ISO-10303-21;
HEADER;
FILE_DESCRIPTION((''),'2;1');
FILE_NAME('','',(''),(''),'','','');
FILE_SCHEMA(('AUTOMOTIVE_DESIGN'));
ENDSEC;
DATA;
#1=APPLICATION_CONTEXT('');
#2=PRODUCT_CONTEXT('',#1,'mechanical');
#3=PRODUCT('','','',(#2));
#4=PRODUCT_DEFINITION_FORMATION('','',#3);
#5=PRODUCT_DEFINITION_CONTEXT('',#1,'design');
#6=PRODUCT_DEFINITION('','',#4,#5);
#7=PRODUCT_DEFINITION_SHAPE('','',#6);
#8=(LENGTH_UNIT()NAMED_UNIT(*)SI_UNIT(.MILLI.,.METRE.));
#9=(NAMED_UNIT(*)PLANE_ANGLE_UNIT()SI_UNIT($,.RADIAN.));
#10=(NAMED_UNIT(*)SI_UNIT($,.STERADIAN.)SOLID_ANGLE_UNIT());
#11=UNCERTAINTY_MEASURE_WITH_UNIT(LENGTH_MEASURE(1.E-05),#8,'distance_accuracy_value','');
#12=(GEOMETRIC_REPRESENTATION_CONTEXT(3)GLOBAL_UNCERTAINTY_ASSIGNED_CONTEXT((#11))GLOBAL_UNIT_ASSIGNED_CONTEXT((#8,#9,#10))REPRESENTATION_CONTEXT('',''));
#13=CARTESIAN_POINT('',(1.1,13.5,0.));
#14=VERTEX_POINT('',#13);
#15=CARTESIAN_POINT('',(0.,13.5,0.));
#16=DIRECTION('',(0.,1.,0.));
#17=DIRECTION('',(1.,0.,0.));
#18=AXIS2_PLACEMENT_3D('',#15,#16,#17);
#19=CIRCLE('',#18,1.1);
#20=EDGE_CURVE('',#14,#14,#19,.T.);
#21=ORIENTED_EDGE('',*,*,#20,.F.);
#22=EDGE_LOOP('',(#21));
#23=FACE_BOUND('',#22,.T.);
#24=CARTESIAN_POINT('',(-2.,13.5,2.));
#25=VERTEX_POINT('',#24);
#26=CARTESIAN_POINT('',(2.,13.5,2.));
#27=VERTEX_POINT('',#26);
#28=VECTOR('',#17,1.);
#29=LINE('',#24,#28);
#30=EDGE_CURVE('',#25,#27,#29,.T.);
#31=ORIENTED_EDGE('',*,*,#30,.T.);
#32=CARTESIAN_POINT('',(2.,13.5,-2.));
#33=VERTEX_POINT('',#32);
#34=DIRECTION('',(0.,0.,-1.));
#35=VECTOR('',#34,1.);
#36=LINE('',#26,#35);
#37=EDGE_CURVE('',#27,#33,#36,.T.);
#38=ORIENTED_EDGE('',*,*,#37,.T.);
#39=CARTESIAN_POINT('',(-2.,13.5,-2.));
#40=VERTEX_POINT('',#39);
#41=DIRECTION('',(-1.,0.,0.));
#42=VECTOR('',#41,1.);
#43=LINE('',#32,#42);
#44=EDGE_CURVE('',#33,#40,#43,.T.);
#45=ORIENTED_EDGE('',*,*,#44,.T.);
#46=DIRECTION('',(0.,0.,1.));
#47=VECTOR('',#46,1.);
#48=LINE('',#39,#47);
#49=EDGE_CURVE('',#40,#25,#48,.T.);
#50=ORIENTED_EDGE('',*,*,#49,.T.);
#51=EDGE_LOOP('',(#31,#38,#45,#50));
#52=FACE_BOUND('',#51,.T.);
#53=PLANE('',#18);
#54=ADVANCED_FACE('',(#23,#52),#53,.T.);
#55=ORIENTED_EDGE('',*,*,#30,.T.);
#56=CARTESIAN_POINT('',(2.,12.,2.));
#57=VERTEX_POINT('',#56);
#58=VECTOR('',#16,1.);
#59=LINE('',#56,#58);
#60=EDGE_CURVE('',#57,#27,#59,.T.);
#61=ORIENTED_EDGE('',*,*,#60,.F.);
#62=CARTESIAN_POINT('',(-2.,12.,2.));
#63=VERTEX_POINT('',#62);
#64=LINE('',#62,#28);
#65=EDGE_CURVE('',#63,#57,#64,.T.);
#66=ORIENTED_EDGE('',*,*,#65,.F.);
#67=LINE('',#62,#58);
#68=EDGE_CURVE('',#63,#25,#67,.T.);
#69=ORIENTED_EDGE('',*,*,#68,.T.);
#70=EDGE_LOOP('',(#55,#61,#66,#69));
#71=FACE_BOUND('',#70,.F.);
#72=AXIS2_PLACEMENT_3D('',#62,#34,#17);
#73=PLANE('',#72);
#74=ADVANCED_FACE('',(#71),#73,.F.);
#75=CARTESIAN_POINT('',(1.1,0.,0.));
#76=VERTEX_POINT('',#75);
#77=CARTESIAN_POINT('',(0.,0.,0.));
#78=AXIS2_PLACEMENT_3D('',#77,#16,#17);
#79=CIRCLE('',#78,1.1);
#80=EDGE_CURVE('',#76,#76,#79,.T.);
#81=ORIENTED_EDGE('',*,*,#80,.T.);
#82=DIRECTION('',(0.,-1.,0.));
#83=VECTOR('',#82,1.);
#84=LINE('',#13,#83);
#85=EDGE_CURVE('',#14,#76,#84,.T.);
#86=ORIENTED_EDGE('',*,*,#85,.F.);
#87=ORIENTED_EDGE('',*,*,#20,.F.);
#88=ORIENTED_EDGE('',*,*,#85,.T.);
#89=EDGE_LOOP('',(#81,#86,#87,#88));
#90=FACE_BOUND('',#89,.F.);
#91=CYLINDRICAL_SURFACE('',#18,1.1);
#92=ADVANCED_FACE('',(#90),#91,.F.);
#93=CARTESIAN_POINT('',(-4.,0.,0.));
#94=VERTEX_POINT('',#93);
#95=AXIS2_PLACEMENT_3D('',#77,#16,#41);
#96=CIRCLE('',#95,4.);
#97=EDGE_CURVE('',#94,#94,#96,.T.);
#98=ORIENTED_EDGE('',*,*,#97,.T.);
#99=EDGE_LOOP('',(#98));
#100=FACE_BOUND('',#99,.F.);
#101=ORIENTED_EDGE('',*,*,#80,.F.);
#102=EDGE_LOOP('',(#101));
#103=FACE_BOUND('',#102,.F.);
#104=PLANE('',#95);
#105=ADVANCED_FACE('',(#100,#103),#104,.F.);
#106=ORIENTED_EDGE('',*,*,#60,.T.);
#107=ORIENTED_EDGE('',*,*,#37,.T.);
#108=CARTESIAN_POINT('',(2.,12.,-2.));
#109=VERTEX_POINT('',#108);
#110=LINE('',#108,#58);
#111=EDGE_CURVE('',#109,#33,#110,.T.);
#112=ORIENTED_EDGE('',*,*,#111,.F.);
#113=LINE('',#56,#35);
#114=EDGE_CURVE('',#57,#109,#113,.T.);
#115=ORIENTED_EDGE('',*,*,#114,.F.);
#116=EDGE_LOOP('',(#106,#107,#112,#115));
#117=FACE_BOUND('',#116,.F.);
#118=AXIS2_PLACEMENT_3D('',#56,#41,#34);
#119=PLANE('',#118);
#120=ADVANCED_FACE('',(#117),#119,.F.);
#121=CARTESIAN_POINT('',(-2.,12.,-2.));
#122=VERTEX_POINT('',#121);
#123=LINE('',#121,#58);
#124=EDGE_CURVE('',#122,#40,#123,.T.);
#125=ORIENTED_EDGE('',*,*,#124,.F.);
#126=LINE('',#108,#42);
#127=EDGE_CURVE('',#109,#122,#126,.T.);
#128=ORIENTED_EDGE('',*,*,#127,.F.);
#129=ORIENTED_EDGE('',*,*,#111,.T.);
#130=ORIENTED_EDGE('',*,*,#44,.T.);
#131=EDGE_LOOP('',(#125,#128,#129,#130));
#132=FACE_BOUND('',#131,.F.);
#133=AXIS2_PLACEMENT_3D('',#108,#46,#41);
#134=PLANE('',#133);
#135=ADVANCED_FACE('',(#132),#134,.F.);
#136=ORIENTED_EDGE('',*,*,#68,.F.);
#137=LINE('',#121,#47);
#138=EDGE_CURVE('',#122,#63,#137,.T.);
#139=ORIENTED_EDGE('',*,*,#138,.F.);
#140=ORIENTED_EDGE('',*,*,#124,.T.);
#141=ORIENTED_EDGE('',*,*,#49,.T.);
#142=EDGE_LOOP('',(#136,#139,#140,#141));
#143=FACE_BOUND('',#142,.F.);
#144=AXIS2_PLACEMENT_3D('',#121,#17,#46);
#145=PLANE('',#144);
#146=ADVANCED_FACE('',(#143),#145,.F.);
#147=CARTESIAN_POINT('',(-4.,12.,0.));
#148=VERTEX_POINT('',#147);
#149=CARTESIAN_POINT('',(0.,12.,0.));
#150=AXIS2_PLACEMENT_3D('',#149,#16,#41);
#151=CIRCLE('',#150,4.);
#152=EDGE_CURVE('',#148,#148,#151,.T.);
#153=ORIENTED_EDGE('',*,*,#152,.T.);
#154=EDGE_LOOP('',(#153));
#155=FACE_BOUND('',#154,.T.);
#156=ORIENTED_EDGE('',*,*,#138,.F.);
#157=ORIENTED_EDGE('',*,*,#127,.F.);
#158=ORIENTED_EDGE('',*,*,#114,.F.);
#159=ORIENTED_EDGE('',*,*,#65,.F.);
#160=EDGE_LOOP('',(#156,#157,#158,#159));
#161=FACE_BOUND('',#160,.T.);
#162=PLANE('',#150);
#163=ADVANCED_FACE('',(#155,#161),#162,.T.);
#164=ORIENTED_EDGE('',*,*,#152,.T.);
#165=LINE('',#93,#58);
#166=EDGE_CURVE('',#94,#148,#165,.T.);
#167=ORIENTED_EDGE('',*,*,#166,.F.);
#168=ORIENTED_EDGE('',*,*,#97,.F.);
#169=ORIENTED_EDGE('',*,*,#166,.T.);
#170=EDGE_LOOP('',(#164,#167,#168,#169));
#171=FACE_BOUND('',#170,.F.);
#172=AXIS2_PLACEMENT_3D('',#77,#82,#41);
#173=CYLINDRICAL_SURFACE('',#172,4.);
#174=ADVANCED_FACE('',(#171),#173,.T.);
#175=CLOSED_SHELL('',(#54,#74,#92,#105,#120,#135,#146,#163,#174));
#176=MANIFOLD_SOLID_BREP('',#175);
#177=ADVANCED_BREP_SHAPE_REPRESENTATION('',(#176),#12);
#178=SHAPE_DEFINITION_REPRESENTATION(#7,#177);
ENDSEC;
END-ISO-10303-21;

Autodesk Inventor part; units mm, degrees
ref_plane "YZ Plane" through (0, 0, 0) normal (1, 0, 0) x (0, 1, 0)
ref_plane "XZ Plane" through (0, 0, 0) normal (0, 1, 0) x (-1, 0, 0)
ref_plane "XY Plane" through (0, 0, 0) normal (0, 0, 1) x (1, 0, 0)
sketch "Sketch1" plane through (0, 0, 0) normal (0, 1, 0) x (-1, 0, 0)
  circle A0 centre (0, 0) radius 4
  dimension "d0" = 8
extrude "Extrusion1" add sketch "Sketch1" along normal blind 12
sketch "Sketch2" plane through (0, 12, 0) normal (0, 1, 0) x (1, 0, 0)
  line L0 (-2, -2) -> (2, -2)
  line L1 (2, -2) -> (2, 2)
  line L2 (2, 2) -> (-2, 2)
  line L3 (-2, 2) -> (-2, -2)
  point P0 (0, 0)
  dimension "d3" = 4
  dimension "d4" = 4
  dimension "d5" = 2
  dimension "d6" = 2
extrude "Extrusion2" add sketch "Sketch2" along normal blind 1.5
sketch "Sketch3" plane through (0, 13.5, 0) normal (0, 1, 0) x (1, 0, 0)
  circle A0 centre (0, 0) radius 1.1
  dimension "d9" = 2.2
extrude "Extrusion3" cut sketch "Sketch3" against normal through all
properties part number "axe_top"
